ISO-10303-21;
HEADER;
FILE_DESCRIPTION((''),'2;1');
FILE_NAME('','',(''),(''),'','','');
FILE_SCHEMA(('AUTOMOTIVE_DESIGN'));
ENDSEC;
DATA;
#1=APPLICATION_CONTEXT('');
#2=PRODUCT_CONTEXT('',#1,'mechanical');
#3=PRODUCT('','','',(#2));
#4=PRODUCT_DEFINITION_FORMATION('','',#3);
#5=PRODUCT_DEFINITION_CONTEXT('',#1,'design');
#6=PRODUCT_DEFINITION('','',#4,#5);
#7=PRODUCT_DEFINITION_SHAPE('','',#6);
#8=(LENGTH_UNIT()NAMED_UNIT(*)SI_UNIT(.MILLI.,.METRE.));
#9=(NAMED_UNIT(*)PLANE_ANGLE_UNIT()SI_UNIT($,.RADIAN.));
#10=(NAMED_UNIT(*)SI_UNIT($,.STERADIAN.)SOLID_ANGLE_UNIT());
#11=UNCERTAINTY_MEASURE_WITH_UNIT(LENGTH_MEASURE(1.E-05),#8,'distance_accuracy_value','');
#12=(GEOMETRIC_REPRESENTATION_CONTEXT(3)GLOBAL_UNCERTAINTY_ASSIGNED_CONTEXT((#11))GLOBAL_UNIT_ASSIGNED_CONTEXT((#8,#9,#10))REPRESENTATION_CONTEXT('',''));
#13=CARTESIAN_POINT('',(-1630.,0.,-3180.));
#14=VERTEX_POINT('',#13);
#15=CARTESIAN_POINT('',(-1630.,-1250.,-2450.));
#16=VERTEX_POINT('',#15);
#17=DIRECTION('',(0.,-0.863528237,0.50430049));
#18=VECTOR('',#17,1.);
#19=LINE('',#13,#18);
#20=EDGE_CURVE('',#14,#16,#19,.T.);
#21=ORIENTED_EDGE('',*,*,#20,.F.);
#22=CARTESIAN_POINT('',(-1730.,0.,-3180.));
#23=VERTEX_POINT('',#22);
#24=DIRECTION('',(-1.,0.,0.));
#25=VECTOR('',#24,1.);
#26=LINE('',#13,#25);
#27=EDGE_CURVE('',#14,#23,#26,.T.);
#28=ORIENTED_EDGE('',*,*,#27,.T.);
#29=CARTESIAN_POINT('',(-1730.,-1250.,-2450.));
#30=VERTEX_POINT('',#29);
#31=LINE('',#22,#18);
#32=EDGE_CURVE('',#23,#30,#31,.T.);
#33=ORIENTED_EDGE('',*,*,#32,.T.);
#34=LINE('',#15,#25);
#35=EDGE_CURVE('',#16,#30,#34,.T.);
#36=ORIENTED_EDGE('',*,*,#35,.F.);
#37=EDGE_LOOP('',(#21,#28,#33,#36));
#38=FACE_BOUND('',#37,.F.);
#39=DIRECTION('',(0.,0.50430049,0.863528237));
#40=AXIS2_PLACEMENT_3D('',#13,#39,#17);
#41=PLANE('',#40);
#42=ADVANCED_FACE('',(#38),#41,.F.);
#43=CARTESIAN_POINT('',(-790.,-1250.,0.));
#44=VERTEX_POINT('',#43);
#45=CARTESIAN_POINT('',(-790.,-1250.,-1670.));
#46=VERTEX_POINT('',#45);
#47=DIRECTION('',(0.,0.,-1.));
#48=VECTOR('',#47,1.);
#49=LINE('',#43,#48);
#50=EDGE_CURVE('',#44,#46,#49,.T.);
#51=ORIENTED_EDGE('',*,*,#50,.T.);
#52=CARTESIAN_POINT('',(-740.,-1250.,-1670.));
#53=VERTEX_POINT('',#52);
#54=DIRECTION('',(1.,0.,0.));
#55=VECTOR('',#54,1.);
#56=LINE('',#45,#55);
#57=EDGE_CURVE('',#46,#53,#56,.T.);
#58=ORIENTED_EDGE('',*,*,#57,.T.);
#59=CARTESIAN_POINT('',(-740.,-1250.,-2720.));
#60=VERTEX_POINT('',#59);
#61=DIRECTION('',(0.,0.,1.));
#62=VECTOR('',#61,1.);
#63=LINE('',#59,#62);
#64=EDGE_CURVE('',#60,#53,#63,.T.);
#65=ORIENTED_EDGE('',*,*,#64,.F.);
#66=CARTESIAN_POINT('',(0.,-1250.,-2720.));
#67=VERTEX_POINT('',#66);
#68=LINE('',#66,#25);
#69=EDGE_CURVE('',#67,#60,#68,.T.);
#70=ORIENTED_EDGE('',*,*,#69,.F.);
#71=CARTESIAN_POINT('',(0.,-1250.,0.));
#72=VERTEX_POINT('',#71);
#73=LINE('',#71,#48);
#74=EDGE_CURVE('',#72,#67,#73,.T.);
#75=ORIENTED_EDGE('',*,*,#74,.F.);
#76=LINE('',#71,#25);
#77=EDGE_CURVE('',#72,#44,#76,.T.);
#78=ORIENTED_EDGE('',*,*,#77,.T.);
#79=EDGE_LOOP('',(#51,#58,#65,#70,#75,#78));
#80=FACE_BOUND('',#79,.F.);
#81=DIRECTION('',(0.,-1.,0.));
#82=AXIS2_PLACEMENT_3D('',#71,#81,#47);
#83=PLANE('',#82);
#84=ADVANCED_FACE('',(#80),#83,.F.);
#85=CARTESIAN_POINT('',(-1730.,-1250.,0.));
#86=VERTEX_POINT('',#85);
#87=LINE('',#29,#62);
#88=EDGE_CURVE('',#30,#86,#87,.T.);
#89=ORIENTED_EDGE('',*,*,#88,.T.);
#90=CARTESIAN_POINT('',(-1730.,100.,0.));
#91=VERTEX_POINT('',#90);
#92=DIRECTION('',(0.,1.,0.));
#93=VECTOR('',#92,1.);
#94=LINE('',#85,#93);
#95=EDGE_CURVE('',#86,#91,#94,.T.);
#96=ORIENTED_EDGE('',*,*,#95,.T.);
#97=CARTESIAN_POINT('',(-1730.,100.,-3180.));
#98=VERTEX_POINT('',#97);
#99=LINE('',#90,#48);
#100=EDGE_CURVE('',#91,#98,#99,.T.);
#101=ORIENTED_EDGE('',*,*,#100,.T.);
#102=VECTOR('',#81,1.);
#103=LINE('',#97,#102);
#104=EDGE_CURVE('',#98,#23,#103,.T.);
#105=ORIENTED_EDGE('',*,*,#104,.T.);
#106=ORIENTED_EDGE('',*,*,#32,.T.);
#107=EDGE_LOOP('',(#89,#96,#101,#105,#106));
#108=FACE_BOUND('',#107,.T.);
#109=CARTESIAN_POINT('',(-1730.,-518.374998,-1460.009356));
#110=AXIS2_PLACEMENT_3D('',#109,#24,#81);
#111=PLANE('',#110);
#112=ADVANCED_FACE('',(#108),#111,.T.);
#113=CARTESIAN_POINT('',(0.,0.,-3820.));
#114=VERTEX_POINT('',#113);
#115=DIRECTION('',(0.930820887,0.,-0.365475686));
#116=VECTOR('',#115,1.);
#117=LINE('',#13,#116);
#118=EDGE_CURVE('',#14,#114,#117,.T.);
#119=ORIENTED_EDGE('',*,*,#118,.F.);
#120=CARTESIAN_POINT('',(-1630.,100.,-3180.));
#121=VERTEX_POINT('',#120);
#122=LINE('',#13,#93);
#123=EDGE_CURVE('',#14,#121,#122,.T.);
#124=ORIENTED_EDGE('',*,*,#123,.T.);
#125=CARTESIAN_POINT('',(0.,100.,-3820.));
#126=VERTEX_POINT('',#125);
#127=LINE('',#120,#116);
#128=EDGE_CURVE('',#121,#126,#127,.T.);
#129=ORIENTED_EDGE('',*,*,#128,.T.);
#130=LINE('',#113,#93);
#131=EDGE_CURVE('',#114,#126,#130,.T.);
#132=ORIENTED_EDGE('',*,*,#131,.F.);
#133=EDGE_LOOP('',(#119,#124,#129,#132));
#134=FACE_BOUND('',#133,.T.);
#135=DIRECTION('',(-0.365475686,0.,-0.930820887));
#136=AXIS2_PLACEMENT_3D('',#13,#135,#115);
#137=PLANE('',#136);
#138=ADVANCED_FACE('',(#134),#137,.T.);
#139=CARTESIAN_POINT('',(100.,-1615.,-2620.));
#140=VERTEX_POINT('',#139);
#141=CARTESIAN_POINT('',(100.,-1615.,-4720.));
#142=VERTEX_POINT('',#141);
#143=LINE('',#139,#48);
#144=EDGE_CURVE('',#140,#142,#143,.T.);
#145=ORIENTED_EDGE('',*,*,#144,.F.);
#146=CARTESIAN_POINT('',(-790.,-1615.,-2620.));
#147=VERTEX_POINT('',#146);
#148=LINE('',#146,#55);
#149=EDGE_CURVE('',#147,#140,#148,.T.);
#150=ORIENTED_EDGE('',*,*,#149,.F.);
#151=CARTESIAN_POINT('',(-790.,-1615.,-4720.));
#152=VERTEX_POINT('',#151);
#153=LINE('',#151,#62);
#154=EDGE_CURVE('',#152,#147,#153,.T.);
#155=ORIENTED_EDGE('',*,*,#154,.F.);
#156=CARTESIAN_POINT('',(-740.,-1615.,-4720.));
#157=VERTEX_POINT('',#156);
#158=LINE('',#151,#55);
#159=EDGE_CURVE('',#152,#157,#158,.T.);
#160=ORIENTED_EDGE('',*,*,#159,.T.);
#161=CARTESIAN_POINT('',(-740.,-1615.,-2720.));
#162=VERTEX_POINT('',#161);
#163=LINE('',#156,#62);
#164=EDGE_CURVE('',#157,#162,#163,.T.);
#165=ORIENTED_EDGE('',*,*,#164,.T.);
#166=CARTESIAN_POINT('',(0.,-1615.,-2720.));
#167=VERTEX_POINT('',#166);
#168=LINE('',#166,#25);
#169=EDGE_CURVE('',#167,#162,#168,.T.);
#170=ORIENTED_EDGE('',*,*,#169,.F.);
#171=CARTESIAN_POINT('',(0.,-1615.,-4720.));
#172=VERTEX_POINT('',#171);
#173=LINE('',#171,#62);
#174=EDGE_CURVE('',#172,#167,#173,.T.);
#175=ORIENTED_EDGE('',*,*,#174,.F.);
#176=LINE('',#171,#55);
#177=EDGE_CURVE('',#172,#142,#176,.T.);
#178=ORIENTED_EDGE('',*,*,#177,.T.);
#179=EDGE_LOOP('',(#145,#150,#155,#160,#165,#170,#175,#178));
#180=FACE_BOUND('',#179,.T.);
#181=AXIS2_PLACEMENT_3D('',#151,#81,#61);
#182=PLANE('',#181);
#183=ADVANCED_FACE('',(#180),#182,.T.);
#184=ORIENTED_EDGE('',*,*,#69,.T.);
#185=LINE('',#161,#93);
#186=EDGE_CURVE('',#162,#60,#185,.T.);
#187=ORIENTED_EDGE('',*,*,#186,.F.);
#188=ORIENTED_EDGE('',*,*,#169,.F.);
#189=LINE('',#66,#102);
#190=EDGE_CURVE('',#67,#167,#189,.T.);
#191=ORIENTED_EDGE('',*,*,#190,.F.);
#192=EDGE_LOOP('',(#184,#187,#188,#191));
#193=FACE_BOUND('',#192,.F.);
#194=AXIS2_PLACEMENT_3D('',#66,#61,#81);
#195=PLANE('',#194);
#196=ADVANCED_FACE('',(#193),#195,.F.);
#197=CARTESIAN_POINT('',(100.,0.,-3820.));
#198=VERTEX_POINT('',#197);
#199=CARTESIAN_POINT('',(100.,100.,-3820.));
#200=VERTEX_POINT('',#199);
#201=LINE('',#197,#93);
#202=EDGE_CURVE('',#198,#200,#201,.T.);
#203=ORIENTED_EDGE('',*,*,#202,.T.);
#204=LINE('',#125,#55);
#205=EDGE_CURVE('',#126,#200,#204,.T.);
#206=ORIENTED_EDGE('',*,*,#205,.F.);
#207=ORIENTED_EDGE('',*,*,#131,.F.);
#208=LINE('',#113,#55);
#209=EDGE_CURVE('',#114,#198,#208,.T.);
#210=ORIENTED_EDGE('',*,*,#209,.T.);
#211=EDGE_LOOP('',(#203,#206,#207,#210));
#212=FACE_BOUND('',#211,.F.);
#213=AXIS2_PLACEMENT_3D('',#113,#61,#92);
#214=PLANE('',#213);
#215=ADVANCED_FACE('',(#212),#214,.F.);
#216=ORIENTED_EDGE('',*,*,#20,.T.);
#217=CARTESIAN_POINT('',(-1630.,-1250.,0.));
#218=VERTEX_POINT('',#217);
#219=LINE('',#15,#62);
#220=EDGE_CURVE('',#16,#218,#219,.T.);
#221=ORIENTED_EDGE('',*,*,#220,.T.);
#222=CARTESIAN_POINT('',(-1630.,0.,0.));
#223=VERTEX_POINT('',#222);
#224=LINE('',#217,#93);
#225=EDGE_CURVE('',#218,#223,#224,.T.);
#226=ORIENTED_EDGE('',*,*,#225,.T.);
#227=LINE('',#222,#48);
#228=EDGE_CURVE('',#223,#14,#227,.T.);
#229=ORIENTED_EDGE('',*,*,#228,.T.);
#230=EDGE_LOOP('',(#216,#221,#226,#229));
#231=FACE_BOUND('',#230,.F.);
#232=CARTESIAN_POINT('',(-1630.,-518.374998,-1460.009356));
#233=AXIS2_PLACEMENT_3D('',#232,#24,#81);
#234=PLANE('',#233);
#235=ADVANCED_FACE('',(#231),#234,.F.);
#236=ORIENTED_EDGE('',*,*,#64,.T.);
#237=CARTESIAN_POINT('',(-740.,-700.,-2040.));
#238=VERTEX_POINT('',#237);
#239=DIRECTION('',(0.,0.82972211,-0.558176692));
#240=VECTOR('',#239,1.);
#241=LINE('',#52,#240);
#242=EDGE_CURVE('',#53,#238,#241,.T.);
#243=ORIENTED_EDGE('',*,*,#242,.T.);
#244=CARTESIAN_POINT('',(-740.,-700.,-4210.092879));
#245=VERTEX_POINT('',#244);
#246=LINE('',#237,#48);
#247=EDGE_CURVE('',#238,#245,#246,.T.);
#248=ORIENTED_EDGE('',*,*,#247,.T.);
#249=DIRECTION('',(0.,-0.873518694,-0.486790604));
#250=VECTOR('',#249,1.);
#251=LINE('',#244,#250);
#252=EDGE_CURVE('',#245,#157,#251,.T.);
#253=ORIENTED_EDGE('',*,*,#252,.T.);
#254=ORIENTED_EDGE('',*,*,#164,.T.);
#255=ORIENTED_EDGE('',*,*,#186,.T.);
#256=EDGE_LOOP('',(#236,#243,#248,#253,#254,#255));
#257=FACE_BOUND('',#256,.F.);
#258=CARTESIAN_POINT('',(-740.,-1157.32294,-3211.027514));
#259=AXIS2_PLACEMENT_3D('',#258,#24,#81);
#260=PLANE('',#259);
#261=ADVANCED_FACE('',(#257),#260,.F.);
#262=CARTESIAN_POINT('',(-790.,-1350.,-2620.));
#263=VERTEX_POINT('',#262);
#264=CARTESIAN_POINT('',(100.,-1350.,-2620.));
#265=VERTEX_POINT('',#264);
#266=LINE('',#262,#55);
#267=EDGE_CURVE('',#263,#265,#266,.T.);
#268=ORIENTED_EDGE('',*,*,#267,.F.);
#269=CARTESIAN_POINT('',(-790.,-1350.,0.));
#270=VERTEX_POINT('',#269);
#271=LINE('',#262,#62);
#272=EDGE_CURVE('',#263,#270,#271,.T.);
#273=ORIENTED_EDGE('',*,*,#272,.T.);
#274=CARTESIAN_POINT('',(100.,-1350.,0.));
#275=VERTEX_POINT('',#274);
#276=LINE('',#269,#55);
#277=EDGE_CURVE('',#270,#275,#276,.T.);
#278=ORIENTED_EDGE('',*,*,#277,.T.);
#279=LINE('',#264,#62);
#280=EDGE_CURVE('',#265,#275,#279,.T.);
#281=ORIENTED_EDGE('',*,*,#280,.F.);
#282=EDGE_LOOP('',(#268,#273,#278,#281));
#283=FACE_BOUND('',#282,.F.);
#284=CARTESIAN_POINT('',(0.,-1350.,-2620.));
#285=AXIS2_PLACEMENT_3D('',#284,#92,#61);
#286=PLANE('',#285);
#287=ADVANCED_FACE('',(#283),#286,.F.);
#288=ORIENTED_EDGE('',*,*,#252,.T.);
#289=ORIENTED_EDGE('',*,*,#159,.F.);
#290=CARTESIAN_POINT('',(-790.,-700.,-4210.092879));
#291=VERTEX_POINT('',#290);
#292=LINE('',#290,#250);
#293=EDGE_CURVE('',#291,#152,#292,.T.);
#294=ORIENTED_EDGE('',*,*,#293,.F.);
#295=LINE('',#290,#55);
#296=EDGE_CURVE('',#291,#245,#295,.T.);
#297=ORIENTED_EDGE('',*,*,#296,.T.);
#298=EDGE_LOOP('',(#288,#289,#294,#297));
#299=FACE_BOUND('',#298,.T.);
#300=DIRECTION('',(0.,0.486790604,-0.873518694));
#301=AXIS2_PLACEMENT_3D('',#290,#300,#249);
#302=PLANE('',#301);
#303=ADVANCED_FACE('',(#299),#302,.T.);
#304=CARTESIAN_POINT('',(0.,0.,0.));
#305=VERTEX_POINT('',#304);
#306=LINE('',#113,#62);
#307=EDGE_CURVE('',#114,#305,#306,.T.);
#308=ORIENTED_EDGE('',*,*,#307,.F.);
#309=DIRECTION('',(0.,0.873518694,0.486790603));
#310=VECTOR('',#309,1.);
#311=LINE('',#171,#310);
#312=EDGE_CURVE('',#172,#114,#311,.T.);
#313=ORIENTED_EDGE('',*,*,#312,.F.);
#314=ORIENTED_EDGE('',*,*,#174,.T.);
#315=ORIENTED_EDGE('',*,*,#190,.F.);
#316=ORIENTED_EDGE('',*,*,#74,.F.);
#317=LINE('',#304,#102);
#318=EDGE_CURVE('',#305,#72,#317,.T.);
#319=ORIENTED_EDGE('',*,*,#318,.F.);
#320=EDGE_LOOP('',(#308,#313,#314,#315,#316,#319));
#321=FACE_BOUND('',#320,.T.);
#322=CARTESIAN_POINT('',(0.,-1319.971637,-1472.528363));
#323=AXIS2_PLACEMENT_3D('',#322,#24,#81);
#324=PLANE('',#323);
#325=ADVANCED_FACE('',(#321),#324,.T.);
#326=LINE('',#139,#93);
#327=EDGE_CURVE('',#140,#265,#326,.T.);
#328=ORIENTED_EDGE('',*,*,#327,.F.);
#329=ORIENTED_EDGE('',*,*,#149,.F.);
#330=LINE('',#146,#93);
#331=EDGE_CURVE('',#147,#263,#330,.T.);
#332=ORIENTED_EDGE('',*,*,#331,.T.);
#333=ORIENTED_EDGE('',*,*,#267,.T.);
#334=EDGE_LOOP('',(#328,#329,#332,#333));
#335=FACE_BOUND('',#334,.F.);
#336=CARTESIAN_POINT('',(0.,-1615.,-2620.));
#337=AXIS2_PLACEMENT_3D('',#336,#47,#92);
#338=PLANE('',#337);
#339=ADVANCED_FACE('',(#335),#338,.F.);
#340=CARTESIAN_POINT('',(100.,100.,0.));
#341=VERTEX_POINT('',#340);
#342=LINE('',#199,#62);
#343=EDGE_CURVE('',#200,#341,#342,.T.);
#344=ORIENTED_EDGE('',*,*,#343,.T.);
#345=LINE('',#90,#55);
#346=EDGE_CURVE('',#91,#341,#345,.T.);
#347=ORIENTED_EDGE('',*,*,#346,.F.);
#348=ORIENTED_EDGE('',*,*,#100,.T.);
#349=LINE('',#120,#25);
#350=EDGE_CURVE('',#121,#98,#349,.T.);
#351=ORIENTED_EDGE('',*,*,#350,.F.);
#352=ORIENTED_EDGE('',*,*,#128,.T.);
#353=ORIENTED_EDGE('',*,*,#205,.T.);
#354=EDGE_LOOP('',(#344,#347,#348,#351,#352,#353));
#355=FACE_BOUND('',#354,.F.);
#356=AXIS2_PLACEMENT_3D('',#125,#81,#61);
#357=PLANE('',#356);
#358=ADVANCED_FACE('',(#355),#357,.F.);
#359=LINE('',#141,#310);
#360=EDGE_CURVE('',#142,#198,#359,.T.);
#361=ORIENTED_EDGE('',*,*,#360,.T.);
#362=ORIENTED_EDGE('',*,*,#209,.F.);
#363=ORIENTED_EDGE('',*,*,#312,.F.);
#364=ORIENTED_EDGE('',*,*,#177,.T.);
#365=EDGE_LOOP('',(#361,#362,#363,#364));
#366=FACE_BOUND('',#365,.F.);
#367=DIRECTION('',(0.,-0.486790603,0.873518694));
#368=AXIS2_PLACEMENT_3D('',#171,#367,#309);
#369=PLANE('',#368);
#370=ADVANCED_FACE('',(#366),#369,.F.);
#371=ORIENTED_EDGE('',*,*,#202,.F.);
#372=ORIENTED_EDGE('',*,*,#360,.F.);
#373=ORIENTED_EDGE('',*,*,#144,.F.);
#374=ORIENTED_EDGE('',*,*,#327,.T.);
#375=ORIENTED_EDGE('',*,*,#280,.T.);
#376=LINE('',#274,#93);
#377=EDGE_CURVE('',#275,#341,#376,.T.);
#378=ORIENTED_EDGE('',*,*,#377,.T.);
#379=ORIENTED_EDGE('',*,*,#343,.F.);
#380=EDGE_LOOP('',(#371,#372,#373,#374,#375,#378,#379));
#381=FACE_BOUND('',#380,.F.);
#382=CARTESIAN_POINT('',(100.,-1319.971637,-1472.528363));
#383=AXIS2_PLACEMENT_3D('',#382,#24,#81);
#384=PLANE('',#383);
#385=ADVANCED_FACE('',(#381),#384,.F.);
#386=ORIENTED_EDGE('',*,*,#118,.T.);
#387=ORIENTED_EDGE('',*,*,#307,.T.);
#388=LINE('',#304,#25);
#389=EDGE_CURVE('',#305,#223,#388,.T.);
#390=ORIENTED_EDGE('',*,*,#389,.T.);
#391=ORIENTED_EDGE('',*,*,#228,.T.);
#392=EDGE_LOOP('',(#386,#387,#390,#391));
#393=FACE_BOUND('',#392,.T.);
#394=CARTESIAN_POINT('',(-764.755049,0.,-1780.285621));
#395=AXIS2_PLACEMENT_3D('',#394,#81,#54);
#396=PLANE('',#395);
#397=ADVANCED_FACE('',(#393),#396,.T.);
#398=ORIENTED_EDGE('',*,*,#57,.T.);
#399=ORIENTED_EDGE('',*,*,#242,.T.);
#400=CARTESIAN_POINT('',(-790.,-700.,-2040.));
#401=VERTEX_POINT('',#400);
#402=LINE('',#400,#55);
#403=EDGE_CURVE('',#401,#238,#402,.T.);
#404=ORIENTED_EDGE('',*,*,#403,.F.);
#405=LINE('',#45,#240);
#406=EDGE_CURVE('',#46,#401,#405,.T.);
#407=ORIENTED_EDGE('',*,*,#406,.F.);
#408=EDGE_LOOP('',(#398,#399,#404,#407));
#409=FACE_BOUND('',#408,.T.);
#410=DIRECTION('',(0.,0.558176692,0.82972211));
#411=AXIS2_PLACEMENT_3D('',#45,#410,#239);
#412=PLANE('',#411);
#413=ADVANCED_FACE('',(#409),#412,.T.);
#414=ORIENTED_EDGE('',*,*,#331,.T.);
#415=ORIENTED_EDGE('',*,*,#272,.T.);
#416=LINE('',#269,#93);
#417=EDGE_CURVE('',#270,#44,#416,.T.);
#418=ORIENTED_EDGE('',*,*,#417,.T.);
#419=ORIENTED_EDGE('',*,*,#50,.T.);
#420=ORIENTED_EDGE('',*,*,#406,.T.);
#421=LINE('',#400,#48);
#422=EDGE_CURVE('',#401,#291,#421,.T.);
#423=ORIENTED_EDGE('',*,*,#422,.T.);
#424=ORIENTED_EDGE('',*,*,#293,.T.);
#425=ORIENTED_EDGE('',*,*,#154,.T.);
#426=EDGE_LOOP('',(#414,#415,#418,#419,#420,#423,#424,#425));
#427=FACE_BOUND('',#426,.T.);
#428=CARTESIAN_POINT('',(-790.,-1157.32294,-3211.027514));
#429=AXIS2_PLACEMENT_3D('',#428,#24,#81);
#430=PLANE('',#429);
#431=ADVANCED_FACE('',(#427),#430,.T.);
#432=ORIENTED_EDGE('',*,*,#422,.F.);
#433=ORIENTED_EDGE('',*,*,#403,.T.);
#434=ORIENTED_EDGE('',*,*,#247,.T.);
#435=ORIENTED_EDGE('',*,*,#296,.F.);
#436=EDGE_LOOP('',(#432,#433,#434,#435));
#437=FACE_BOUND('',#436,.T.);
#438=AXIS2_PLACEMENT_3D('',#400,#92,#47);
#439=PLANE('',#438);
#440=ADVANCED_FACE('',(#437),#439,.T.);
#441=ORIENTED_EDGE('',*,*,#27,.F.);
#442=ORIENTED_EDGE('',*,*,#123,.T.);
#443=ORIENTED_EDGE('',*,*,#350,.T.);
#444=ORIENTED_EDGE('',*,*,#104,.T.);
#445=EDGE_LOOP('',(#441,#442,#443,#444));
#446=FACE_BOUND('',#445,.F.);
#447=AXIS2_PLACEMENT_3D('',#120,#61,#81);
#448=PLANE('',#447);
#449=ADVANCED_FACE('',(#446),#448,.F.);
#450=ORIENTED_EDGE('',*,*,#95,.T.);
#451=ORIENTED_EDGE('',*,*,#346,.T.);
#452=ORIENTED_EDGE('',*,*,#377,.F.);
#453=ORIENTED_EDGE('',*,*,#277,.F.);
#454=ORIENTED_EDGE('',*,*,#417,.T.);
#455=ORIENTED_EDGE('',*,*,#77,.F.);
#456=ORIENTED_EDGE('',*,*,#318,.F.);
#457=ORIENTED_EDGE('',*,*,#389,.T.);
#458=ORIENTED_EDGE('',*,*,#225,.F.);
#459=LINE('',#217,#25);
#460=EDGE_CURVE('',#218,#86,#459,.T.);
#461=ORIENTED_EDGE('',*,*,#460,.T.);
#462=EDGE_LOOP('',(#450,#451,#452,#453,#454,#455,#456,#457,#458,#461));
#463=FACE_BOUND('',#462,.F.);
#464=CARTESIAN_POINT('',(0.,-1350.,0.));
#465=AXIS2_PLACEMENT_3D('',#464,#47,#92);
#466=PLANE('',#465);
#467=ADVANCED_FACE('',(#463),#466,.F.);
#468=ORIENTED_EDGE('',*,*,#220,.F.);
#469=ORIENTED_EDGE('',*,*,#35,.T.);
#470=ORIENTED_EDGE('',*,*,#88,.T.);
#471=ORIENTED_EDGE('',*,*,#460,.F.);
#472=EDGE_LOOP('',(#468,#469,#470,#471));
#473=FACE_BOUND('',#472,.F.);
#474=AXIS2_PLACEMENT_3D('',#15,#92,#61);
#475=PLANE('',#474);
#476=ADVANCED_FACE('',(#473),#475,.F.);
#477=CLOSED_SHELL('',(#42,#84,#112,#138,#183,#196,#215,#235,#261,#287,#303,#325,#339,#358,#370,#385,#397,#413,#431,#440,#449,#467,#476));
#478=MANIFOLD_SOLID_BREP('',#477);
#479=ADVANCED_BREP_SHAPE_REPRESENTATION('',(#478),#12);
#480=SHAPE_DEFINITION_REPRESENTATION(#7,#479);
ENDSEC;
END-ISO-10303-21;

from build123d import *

# Parameters (mm, degrees)
F1_DEPTH  = 100
F3_DEPTH  = 100
F5_DEPTH  = 100
F7_DEPTH  = 100
F8_DEPTH  = 790
F10_DEPTH = 50


with BuildPart() as f1:
    # F0 (on Front) → F1 (new body)
    with BuildSketch(Plane.XZ):
        Polygon((0, -3820), (0, 0), (-1630, 0), (-1630, -3180), align=None)
    extrude(amount=-F1_DEPTH)

    # F2 (on face) → F3 (join)
    with BuildSketch(Plane(origin=(-1630, 0, 0), x_dir=(0, -1, 0), z_dir=(-1, 0, 0))):
        Polygon((1250, 0), (-100, 0), (-100, -3180), (0, -3180), (1250, -2450), align=None)
    extrude(amount=F3_DEPTH)

    # F4 (on face) → F5 (join)
    with BuildSketch(Plane.YZ):
        Polygon((100, -3820), (100, 0), (-1250, 0), (-1250, -2720), (-1615, -2720), (-1615, -4720), (0, -3820), align=None)
    extrude(amount=F5_DEPTH)

    # F6 (on face) → F7 (join, through all)
    with BuildSketch(Plane(origin=(0, 0, 0), x_dir=(0, -1, 0), z_dir=(-1, 0, 0))):
        Polygon((1350, 0), (1250, 0), (1250, -2720), (1615, -2720), (1615, -2620), (1350, -2620), align=None)
    extrude(amount=-F7_DEPTH)

    # F6 (on face) → F8 (join)
    with BuildSketch(Plane(origin=(0, 0, 0), x_dir=(0, -1, 0), z_dir=(-1, 0, 0))):
        Polygon((1350, 0), (1250, 0), (1250, -2720), (1615, -2720), (1615, -2620), (1350, -2620), align=None)
    extrude(amount=F8_DEPTH)

    # F9 (on face) → F10 (join)
    with BuildSketch(Plane(origin=(-790, 0, 0), x_dir=(0, -1, 0), z_dir=(-1, 0, 0))):
        Polygon((1250, -2720), (1250, -1670), (700, -2040), (700, -4210.092879), (1615, -4720), (1615, -2720), align=None)
    extrude(amount=-F10_DEPTH)


solid = f1.part
